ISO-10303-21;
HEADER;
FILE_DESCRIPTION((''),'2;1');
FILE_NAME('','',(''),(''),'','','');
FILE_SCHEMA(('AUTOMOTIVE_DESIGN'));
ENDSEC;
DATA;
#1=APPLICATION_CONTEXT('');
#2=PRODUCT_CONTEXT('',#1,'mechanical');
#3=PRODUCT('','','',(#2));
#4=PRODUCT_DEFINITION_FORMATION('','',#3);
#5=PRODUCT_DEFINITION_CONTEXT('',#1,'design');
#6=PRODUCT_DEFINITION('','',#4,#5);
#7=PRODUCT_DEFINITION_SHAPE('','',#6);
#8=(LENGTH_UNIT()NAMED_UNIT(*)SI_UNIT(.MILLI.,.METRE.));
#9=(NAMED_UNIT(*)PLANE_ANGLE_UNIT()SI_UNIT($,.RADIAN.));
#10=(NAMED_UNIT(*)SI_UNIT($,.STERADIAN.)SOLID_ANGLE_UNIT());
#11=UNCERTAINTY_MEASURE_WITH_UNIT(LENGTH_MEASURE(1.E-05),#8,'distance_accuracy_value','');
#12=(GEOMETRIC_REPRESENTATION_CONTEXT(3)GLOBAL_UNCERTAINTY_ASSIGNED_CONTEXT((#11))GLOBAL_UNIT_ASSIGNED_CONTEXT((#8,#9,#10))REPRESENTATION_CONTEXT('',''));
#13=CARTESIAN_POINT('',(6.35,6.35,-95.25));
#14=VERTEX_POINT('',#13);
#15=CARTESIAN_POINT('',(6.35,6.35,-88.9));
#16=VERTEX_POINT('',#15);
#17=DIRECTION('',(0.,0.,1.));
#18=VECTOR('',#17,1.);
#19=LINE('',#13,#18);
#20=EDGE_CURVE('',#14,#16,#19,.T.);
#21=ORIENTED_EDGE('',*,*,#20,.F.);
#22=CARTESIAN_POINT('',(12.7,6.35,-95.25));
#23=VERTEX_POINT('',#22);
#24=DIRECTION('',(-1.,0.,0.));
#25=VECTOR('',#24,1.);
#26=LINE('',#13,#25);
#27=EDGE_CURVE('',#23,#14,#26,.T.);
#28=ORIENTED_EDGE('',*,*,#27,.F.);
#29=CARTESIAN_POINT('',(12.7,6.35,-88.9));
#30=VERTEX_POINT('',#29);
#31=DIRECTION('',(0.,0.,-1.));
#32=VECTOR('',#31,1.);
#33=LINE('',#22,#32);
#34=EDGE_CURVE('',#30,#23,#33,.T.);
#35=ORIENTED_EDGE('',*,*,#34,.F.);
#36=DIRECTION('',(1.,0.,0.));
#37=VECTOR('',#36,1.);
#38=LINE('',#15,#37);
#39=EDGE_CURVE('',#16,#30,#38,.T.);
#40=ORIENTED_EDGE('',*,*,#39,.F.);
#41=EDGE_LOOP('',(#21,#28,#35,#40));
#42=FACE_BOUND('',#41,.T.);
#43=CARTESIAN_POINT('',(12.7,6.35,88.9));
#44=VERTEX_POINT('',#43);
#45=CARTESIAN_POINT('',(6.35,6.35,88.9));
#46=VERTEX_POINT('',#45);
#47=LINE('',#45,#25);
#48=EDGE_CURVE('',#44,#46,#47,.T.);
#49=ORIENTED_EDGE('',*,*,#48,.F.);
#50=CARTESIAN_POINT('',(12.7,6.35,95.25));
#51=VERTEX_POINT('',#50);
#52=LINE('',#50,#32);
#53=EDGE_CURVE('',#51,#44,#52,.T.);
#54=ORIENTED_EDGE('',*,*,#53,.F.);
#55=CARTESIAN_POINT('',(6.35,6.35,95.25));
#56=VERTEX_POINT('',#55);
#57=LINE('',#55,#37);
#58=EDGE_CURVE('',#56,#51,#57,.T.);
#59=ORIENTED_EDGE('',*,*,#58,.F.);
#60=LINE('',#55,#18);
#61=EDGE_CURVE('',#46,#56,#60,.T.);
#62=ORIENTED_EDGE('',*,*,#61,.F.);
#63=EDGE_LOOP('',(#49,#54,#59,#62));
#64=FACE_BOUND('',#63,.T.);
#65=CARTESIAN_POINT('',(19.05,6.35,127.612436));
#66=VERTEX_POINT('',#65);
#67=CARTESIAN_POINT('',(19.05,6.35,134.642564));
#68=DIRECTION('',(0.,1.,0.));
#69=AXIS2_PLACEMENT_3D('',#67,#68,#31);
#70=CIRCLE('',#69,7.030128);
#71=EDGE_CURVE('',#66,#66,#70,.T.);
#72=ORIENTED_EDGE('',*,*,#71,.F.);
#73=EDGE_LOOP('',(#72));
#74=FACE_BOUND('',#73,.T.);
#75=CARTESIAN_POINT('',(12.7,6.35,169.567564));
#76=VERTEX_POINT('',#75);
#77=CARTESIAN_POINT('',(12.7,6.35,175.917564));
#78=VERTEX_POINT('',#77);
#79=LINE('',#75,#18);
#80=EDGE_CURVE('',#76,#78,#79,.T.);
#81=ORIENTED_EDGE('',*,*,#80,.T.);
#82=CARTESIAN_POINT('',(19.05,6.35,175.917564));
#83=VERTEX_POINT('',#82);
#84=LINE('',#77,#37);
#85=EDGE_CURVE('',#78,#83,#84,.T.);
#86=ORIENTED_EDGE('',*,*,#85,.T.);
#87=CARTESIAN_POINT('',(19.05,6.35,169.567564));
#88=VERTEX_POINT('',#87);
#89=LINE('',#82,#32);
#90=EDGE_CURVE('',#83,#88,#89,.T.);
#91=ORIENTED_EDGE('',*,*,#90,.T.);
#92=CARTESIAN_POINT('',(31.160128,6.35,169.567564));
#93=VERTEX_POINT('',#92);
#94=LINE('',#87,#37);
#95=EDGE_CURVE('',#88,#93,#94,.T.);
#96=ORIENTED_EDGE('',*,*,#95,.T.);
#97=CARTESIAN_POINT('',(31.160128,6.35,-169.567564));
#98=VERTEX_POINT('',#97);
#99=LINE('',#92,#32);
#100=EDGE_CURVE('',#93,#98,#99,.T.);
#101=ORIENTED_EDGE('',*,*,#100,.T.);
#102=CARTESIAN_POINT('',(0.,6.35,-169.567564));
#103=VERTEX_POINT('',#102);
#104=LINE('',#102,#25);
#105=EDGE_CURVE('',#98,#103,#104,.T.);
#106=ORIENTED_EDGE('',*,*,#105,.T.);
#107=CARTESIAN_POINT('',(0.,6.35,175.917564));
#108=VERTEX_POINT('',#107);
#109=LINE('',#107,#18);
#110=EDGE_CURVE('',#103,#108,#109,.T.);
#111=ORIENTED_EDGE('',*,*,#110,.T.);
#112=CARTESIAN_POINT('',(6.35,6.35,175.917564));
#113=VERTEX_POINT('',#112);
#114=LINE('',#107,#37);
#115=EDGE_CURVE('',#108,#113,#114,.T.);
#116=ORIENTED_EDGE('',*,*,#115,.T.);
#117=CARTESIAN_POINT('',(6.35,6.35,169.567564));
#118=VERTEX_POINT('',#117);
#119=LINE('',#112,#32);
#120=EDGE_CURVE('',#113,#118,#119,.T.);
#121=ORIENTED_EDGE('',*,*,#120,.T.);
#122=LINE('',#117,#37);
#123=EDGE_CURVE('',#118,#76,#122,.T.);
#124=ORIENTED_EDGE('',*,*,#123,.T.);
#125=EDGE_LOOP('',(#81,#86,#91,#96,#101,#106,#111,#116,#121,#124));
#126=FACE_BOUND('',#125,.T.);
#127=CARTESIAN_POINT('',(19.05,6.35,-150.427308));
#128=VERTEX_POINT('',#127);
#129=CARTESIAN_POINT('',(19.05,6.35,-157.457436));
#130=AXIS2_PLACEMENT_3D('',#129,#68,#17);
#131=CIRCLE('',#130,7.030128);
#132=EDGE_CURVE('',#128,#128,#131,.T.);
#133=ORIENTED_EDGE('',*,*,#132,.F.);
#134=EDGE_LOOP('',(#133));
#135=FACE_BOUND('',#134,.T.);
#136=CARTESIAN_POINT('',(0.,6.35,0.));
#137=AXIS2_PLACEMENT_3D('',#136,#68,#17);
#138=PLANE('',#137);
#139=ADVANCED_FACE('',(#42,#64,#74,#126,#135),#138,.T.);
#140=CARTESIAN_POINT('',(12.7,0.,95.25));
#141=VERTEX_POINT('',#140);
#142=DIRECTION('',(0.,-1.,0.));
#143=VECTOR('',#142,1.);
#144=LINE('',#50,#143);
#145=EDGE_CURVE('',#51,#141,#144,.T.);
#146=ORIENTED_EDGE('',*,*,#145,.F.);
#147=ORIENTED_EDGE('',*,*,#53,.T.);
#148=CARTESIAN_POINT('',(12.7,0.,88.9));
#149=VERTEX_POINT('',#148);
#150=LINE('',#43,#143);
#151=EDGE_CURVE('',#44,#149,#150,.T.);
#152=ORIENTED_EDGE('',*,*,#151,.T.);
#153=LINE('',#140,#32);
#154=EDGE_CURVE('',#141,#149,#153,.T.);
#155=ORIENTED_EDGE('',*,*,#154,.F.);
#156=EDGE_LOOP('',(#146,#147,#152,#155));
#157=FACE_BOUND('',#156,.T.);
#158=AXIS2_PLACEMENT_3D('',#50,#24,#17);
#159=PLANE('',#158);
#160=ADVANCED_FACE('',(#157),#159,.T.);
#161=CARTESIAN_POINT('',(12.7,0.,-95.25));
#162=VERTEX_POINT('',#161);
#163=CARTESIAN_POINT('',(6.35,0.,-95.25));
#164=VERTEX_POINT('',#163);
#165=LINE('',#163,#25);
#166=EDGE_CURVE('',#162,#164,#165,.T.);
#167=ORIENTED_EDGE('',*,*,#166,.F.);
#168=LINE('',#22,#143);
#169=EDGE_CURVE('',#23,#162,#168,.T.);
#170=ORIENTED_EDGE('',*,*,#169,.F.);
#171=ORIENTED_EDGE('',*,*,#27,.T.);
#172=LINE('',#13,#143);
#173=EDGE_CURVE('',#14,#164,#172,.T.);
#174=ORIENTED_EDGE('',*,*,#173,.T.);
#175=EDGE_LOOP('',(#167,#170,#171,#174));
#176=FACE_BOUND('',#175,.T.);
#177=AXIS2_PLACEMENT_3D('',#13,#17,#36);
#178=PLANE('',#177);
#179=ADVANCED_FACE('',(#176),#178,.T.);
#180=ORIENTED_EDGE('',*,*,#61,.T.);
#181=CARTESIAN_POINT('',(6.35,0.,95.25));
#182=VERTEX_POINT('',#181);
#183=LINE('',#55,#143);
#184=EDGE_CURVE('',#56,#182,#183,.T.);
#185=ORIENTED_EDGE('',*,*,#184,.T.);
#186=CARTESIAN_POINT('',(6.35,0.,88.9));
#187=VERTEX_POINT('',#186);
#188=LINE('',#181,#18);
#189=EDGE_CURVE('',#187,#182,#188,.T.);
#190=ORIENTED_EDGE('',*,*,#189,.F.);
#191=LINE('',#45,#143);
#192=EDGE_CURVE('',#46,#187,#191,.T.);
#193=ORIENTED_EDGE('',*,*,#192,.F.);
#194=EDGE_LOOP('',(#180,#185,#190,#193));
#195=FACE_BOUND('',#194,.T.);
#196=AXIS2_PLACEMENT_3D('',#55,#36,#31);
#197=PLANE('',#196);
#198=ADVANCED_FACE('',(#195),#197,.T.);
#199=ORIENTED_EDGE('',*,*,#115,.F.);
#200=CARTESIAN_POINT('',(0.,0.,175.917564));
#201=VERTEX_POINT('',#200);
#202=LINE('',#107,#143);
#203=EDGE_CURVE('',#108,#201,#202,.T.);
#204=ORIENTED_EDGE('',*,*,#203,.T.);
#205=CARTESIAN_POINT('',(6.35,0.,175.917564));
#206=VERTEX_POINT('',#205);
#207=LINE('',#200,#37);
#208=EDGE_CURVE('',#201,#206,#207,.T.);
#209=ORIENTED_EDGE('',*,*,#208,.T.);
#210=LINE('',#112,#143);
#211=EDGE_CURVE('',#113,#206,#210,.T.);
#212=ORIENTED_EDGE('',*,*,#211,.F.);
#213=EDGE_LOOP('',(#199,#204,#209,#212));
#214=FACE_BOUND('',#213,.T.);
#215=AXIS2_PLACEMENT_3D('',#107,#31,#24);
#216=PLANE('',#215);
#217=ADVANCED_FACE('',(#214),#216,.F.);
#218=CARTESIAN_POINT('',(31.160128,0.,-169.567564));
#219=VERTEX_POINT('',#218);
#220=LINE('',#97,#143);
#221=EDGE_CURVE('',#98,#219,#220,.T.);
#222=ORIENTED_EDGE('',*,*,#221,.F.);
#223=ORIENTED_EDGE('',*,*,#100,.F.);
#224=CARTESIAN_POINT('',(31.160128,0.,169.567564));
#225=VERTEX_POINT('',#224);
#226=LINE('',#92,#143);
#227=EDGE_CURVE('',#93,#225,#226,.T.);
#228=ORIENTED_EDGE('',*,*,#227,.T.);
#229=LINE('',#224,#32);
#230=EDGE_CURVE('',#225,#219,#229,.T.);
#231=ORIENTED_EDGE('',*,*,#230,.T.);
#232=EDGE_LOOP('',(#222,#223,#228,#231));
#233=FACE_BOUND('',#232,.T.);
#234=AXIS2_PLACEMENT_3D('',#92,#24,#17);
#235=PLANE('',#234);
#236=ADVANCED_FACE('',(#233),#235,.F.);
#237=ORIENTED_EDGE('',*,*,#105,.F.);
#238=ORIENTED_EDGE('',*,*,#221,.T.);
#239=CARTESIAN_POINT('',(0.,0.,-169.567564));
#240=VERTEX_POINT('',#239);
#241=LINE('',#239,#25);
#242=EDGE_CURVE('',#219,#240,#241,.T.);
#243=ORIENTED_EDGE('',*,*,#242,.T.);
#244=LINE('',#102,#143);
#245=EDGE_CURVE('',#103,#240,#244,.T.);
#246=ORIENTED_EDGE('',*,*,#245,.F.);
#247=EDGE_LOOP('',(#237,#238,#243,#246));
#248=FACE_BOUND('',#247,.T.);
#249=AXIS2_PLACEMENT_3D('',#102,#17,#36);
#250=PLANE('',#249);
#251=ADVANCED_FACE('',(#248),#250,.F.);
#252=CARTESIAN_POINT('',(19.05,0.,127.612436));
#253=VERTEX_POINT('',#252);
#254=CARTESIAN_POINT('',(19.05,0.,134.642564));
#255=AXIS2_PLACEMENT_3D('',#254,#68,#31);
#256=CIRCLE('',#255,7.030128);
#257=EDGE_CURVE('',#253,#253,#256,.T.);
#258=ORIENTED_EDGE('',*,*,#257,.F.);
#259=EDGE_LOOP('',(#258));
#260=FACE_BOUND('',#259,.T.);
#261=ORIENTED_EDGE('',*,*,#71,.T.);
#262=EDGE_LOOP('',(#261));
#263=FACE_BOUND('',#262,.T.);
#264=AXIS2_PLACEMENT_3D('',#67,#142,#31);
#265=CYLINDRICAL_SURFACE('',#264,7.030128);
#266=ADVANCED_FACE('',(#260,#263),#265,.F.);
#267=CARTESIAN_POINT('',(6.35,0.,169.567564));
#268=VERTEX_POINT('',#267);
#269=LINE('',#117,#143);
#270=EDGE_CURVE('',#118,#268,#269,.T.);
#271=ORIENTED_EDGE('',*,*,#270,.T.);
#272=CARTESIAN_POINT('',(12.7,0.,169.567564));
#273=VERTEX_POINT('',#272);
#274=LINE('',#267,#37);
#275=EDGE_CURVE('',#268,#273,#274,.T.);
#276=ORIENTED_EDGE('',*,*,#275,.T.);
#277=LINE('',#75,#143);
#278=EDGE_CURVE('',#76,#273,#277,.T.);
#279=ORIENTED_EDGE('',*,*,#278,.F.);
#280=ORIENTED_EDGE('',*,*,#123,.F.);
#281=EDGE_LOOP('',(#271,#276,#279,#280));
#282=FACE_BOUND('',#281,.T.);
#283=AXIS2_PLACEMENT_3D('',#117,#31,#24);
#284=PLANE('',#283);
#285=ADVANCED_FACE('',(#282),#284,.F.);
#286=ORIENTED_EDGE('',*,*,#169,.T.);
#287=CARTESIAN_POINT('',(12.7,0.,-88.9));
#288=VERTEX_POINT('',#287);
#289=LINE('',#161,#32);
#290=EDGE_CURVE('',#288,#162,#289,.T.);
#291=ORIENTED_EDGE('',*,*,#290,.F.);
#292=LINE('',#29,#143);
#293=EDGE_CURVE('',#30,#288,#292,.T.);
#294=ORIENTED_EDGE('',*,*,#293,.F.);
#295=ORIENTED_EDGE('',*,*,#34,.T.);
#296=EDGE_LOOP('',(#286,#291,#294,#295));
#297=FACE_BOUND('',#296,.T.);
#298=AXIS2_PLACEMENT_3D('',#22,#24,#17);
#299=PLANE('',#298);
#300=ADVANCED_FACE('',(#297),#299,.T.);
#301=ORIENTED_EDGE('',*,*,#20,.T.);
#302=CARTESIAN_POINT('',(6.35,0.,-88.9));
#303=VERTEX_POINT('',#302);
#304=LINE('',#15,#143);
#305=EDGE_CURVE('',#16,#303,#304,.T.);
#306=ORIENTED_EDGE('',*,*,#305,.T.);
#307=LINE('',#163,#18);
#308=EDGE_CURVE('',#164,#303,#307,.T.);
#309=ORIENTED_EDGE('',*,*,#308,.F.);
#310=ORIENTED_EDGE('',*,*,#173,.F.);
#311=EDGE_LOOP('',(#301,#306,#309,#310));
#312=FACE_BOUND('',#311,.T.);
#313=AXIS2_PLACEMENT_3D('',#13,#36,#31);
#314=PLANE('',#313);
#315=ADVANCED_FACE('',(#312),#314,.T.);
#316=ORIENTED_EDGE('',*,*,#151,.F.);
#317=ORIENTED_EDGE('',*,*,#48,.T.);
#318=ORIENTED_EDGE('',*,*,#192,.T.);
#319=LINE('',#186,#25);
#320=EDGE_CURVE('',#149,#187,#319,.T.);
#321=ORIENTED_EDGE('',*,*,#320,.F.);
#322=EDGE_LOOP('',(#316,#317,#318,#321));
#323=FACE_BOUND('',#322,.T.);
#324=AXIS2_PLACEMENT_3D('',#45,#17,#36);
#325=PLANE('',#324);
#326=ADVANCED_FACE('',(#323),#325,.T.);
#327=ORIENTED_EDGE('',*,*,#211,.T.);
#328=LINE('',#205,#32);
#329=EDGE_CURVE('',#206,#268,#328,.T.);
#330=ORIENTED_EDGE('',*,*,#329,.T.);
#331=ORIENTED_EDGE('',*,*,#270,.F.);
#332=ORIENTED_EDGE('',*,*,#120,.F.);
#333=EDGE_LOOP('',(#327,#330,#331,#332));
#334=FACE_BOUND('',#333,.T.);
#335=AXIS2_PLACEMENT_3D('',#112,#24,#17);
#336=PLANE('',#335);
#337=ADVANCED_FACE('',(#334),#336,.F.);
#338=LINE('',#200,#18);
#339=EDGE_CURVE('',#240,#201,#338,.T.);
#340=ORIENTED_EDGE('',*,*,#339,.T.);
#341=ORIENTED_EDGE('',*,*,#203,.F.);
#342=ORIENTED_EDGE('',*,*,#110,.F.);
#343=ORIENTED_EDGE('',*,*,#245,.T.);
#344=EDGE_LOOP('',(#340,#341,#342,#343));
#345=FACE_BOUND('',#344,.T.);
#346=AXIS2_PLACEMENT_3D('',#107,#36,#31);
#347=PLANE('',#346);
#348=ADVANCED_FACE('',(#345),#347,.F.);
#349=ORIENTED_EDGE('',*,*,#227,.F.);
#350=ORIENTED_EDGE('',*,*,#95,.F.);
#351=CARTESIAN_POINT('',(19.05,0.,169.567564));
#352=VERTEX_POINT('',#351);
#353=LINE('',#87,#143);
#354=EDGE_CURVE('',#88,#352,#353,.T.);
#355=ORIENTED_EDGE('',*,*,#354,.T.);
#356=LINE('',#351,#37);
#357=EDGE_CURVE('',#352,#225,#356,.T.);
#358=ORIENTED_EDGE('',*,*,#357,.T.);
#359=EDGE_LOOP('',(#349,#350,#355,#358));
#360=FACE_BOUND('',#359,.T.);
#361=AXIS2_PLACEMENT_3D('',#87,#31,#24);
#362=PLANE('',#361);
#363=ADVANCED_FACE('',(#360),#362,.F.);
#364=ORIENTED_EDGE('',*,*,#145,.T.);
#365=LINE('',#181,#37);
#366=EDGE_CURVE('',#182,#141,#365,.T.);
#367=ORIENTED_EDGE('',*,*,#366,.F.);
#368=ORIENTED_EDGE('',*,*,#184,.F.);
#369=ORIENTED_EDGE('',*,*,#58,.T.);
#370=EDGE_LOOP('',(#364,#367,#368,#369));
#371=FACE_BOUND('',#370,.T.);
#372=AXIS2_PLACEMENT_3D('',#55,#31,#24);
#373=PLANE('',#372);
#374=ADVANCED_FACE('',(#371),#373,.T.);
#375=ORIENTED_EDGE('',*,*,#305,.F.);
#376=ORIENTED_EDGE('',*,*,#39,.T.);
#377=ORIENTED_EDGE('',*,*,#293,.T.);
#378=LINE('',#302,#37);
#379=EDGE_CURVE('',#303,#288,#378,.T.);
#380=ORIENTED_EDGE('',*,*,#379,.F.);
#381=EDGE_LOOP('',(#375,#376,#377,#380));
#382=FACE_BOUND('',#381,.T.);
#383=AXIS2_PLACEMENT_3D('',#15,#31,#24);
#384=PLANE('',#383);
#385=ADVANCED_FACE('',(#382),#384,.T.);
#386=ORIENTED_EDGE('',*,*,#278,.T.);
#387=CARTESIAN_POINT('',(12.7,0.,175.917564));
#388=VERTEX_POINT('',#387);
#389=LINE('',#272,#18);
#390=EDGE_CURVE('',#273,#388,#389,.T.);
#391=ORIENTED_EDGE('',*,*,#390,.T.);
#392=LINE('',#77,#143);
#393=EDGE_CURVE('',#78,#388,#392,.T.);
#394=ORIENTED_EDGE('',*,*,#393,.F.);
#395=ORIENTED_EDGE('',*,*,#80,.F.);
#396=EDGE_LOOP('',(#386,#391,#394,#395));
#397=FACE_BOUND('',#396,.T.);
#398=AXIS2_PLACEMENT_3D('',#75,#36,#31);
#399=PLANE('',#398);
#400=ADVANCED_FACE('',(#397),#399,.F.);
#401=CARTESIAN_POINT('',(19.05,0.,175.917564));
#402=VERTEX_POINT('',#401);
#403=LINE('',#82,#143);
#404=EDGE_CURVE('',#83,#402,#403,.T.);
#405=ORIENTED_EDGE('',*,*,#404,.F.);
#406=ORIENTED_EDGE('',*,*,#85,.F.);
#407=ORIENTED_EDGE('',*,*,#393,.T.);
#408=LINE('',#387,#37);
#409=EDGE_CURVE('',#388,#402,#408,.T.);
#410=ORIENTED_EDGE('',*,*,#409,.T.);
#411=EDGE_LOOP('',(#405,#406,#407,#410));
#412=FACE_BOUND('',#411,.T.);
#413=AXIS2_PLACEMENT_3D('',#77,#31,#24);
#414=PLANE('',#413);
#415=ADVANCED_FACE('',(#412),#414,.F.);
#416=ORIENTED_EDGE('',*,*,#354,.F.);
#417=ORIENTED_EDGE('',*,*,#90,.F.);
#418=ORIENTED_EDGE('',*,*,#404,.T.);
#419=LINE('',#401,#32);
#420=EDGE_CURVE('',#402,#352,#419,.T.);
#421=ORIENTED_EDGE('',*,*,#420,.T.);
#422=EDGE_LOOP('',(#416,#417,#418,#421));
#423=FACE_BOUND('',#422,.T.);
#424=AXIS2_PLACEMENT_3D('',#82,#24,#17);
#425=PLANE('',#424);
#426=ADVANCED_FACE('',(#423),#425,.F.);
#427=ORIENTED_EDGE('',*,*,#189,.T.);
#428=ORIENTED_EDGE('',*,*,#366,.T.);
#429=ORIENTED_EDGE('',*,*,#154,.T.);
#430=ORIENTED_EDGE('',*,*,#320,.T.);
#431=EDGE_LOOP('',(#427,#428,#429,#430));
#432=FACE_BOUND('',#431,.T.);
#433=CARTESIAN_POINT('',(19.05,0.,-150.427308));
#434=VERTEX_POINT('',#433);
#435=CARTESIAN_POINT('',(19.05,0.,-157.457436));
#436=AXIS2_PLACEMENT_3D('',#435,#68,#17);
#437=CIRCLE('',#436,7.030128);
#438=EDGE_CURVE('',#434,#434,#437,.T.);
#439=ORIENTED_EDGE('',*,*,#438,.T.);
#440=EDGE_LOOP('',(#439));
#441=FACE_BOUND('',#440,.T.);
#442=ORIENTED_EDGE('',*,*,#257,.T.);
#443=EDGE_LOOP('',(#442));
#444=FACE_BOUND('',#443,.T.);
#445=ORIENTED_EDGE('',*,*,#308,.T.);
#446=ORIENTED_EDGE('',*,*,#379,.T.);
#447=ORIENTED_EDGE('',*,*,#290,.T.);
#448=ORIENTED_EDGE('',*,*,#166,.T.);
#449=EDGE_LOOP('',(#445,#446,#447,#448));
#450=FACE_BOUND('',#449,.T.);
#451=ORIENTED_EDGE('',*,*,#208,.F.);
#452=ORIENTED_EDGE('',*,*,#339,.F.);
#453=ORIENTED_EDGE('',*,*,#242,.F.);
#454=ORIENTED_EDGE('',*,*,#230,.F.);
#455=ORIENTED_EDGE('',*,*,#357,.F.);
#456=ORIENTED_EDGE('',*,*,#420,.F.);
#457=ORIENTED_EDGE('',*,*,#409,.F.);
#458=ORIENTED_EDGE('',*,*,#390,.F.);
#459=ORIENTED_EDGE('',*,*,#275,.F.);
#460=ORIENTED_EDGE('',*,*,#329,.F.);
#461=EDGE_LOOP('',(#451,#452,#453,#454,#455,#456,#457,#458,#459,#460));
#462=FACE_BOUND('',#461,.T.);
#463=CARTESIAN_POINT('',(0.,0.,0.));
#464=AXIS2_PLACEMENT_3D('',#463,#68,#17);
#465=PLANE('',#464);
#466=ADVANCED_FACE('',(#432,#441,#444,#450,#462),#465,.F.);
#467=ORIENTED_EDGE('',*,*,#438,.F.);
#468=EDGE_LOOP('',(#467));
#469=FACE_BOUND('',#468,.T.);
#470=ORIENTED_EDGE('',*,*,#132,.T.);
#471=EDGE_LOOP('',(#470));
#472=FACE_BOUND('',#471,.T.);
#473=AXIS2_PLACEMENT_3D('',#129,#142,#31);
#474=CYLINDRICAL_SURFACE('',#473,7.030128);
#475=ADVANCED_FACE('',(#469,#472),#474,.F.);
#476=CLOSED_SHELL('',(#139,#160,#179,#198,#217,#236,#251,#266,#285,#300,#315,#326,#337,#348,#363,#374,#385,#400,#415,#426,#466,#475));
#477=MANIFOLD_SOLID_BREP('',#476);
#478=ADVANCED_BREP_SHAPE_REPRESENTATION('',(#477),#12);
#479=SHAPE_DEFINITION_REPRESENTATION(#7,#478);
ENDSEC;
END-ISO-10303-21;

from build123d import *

# Parameters (mm, degrees)
AXLE_SUPPORT_PLATE_R = 7.030128061
AXLE_SUPPORT_PLATE_W = 6.35
AXLE_SUPPORT_PLATE_H = 6.35
BOSS_EXTRUDE1_DEPTH  = 6.35


with BuildPart() as part:
    # Axle Support Plate → Boss-Extrude1 (new body)
    with BuildSketch(Plane(origin=(0, 0, 0), x_dir=(1, 0, 0), z_dir=(0, 1, 0))):
        Polygon((31.160128061, -169.56756403), (31.160128061, 169.56756403), (0, 169.56756403), (0, -175.91756403), (6.35, -175.91756403), (6.35, -169.56756403), (12.7, -169.56756403), (12.7, -175.91756403), (19.05, -175.91756403), (19.05, -169.56756403), align=None)
        with Locations(Location((19.05, 157.45743597, 0), (0, 0, 270))):
            Circle(AXLE_SUPPORT_PLATE_R, mode=Mode.SUBTRACT)
        with Locations(Location((19.05, -134.64256403, 0), (0, 0, 90))):
            Circle(AXLE_SUPPORT_PLATE_R, mode=Mode.SUBTRACT)
        with Locations((9.525, -92.075)):
            Rectangle(AXLE_SUPPORT_PLATE_W, AXLE_SUPPORT_PLATE_H, mode=Mode.SUBTRACT)
        with Locations((9.525, 92.075)):
            Rectangle(AXLE_SUPPORT_PLATE_W, AXLE_SUPPORT_PLATE_H, mode=Mode.SUBTRACT)
    extrude(amount=BOSS_EXTRUDE1_DEPTH)


solid = part.part
